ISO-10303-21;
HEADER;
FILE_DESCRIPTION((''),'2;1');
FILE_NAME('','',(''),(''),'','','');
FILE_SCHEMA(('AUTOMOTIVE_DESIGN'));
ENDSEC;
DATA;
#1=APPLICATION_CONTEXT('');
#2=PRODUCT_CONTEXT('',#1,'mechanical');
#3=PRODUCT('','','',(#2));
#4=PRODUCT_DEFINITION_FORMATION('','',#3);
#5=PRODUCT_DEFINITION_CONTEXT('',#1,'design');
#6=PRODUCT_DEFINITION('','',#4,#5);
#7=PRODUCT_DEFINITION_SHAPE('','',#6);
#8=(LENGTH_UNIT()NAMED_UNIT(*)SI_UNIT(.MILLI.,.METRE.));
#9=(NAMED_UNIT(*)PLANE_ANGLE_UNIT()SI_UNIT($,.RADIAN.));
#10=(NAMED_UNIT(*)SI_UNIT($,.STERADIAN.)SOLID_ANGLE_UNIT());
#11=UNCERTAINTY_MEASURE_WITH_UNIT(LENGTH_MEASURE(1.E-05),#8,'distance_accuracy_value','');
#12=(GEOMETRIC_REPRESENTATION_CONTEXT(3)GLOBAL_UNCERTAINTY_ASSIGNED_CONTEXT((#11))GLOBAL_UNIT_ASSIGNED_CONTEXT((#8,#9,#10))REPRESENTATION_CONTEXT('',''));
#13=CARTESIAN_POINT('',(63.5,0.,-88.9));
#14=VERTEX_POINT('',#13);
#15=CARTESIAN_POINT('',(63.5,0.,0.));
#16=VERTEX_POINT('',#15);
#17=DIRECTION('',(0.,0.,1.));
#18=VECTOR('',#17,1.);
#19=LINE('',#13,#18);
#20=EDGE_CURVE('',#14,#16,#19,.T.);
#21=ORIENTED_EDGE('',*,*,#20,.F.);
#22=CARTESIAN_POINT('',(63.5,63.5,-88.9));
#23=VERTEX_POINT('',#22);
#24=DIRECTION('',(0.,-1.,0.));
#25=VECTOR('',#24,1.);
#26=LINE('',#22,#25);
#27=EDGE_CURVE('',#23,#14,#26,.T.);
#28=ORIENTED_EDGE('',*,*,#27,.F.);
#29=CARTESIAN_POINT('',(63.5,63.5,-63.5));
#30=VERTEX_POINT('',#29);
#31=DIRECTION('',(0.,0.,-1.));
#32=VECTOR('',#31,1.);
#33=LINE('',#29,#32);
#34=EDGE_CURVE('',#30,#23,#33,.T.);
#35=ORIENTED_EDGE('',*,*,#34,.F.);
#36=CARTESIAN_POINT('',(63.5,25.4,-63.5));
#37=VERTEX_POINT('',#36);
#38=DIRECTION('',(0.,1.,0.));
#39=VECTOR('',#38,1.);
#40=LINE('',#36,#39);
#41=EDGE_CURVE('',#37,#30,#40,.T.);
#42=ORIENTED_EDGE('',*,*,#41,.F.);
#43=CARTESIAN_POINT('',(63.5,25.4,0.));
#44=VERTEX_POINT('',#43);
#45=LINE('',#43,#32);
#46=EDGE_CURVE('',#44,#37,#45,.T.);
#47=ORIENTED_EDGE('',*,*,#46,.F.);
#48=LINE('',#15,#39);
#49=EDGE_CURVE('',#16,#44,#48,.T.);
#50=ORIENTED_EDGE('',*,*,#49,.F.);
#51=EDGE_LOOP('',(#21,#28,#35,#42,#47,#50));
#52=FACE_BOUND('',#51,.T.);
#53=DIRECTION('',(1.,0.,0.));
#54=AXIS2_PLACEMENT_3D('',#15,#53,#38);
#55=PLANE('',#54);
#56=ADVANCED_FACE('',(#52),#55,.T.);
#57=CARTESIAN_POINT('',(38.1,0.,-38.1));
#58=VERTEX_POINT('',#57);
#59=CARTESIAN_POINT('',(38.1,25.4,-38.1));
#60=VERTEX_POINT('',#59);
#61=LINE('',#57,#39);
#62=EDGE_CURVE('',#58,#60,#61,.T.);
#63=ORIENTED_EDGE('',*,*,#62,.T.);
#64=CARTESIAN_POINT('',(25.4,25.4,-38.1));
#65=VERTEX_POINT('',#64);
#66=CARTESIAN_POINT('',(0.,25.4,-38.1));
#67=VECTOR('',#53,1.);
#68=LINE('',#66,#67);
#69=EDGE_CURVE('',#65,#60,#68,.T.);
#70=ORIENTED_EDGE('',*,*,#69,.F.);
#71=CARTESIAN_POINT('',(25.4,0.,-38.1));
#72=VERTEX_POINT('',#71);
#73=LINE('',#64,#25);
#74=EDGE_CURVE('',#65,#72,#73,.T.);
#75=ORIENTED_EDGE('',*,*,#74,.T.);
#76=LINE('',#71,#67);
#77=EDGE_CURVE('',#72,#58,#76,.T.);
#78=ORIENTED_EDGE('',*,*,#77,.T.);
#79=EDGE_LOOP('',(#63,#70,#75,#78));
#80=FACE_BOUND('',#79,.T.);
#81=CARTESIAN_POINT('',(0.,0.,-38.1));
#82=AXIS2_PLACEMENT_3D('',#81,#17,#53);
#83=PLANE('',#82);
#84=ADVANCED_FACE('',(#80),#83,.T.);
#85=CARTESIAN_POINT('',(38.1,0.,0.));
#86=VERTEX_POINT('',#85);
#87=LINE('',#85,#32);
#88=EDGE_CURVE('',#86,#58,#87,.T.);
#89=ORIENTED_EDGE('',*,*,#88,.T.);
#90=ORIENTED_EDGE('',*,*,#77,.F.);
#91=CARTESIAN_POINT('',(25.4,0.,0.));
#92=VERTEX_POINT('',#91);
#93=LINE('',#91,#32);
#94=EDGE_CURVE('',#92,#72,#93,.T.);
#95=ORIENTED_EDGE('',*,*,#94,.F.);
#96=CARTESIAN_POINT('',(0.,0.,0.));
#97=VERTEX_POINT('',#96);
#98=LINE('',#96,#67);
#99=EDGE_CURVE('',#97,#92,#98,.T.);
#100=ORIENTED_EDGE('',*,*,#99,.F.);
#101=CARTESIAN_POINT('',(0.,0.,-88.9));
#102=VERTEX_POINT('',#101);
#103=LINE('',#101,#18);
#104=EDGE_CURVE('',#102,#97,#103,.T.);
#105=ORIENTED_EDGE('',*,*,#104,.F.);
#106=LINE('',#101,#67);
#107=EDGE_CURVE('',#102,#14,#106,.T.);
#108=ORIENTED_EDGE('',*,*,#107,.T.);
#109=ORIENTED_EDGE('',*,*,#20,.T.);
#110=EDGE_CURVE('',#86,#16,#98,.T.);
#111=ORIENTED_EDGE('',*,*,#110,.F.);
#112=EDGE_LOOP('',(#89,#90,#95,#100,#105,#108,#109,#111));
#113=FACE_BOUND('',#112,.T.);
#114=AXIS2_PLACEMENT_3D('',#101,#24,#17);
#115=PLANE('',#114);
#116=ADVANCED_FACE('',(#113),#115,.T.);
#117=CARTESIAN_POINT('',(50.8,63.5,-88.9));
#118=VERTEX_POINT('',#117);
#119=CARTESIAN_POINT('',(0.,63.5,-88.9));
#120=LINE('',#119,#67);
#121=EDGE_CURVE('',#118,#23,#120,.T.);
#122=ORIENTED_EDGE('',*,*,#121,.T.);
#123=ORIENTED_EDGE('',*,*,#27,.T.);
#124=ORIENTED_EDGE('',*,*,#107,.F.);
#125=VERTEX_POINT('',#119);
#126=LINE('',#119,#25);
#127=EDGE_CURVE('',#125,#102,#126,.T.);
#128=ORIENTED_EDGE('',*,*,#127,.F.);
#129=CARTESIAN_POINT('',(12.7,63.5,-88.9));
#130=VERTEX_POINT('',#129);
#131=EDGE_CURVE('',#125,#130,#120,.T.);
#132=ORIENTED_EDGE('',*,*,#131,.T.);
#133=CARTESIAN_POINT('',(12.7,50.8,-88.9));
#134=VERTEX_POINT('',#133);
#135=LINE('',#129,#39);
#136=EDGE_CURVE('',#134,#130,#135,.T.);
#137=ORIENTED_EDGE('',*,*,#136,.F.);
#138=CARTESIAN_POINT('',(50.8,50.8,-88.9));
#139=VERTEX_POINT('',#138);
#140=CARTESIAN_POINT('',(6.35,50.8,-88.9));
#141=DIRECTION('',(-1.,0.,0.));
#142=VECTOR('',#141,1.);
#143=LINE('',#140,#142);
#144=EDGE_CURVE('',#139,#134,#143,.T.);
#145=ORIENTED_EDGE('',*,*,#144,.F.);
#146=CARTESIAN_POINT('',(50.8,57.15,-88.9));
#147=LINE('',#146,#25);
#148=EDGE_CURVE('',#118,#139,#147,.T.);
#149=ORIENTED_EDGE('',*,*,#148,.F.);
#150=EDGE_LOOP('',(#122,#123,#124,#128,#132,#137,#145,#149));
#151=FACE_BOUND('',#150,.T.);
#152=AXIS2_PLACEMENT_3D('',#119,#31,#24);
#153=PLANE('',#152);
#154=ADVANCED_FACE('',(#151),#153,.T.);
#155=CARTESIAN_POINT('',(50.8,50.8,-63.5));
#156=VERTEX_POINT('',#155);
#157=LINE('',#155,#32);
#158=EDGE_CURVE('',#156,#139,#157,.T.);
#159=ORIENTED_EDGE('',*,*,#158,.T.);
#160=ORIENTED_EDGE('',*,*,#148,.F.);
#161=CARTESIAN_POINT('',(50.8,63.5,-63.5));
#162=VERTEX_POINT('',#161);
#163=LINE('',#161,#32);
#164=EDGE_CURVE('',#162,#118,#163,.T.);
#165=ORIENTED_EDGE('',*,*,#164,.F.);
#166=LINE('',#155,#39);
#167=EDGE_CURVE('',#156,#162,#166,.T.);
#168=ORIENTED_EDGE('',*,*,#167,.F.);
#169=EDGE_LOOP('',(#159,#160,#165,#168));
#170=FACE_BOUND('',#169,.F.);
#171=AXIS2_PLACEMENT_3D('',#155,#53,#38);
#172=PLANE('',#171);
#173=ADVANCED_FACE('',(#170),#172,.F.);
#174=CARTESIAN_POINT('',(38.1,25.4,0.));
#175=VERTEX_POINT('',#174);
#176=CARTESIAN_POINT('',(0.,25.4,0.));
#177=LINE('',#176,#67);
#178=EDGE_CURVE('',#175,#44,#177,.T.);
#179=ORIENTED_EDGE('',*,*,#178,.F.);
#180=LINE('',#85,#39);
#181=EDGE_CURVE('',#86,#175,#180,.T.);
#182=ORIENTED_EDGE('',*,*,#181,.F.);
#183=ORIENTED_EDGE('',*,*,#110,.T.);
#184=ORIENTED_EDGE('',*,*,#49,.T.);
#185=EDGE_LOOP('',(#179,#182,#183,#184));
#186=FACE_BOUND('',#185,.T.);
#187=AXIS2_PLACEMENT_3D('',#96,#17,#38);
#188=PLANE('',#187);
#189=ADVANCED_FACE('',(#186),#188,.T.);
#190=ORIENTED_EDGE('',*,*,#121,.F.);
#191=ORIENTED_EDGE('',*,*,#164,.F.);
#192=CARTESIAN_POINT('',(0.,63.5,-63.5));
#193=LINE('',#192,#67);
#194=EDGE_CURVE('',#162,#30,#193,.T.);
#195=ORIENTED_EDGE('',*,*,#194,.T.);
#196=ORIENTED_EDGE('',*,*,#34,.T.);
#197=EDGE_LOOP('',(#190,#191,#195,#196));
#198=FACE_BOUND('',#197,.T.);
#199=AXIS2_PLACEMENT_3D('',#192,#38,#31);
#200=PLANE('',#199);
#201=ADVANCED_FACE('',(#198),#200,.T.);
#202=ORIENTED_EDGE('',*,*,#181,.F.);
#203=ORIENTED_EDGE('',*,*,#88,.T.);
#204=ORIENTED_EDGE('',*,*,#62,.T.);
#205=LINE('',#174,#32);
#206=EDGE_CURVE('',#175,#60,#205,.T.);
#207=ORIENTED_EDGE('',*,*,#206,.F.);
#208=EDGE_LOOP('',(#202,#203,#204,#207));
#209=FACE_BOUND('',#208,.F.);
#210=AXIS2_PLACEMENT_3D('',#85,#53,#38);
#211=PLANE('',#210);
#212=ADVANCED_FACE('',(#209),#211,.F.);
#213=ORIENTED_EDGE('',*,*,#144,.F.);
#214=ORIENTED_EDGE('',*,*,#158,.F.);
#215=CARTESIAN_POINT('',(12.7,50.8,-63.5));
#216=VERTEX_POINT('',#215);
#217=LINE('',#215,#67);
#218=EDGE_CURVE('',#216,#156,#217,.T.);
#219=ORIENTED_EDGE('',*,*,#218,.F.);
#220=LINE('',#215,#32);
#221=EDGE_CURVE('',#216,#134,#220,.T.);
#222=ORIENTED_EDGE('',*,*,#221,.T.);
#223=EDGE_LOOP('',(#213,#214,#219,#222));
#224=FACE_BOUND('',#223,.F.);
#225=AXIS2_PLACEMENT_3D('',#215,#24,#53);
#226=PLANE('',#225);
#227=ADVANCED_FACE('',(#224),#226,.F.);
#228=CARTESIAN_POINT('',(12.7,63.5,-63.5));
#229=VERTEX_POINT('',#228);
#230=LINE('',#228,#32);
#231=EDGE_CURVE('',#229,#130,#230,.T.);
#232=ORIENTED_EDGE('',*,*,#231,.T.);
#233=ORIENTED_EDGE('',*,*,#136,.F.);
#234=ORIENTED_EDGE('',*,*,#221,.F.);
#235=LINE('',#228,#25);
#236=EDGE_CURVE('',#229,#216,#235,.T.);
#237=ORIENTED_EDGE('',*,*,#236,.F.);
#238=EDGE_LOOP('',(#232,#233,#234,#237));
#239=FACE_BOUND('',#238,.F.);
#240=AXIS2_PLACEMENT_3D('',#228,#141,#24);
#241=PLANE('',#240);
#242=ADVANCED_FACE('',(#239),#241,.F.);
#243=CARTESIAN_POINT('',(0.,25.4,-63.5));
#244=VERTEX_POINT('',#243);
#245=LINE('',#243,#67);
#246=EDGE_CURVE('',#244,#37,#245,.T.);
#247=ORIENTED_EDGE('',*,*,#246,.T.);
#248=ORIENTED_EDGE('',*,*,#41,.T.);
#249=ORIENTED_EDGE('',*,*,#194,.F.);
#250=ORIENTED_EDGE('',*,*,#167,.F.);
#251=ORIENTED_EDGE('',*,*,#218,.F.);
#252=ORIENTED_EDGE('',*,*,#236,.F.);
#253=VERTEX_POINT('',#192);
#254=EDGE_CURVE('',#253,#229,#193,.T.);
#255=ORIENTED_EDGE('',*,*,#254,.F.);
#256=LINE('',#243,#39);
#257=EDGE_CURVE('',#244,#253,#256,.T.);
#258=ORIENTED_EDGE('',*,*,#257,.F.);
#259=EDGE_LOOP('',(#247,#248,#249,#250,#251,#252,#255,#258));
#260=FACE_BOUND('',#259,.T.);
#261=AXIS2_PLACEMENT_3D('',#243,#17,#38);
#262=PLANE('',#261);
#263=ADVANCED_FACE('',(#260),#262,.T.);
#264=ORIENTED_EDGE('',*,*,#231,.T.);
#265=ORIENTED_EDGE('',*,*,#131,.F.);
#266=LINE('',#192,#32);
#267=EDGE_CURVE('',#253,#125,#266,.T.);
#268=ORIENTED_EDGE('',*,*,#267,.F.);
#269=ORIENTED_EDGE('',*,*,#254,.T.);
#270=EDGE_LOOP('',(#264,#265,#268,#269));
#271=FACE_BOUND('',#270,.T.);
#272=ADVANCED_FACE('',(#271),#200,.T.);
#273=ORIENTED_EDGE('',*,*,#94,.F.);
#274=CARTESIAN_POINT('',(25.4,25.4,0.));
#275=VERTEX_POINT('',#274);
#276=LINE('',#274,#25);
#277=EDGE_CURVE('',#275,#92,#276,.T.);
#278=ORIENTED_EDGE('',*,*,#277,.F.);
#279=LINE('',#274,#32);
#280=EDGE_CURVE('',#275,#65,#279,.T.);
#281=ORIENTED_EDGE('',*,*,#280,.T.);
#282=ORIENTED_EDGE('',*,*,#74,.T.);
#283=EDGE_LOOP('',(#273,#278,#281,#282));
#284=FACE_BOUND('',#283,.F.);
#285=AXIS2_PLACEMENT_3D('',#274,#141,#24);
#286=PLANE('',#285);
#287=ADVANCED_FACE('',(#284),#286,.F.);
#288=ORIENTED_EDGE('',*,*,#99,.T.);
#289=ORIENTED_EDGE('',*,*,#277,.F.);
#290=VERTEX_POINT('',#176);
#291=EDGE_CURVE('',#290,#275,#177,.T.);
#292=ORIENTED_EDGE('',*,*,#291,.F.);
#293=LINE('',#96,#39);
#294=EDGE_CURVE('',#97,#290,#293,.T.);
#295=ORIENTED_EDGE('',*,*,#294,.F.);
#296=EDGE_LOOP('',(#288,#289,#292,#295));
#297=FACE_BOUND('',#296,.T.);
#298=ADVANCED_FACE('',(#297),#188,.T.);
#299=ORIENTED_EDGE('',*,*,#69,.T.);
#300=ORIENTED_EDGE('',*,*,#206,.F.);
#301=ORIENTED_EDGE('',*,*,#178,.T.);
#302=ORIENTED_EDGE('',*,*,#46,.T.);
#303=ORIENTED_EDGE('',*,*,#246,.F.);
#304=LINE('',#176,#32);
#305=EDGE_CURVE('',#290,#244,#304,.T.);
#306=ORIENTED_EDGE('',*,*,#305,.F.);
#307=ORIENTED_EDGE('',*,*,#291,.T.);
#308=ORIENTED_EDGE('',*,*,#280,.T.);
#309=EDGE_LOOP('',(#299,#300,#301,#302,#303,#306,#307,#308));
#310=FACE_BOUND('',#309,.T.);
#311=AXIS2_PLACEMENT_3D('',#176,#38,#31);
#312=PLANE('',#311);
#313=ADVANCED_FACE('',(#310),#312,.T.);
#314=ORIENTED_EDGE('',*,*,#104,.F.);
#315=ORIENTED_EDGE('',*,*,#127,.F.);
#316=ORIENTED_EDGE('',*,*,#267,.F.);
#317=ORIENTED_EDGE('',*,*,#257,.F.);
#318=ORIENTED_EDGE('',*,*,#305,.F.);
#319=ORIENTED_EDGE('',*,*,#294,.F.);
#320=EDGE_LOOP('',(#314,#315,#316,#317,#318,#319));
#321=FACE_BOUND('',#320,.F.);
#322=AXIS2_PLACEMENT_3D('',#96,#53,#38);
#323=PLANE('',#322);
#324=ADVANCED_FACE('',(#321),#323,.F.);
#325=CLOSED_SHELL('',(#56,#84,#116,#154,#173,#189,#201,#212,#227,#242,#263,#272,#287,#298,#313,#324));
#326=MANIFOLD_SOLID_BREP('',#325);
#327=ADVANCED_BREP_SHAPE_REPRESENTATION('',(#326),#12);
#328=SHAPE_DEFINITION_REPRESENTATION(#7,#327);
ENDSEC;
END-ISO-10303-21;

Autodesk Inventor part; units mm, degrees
ref_plane "YZ Plane" through (0, 0, 0) normal (1, 0, 0) x (0, 1, 0)
ref_plane "XZ Plane" through (0, 0, 0) normal (0, 1, 0) x (-1, 0, 0)
ref_plane "XY Plane" through (0, 0, 0) normal (0, 0, 1) x (1, 0, 0)
sketch "Sketch1" plane through (0, 0, 0) normal (1, 0, 0) x (0, 1, 0)
  line L0 (0, 0) -> (25.4, 0)
  line L1 (25.4, 0) -> (25.4, -63.5)
  line L2 (25.4, -63.5) -> (63.5, -63.5)
  line L3 (63.5, -63.5) -> (63.5, -88.9)
  line L4 (63.5, -88.9) -> (0, -88.9)
  line L5 (0, -88.9) -> (0, 0)
  dimension "d0" = 25.4
  dimension "d1" = 25.4
  dimension "d2" = 88.9
  dimension "d3" = 63.5
extrude "Extrusion1" add sketch "Sketch1" along normal blind 63.5
sketch "Sketch2" plane through (0, 25.4, -63.5) normal (0, 0, 1) x (1, 0, 0)
  line L0 (0, 38.1) -> (63.5, 38.1) projected
  line L1 (12.7, 38.1) -> (12.7, 25.4)
  line L2 (12.7, 25.4) -> (50.8, 25.4)
  line L3 (50.8, 25.4) -> (50.8, 38.1)
  point P0 (0, -25.4)
  dimension "d6" = 12.7
  dimension "d7" = 38.1
extrude "Extrusion2" cut sketch "Sketch2" against normal blind 39.6875
sketch "Sketch3" plane through (0, 0, 0) normal (0, 0, 1) x (1, 0, 0)
  line L0 (0, 25.4) -> (63.5, 25.4) projected
  line L1 (25.4, 25.4) -> (25.4, 0)
  line L2 (25.4, 0) -> (38.1, 0)
  line L3 (38.1, 0) -> (38.1, 25.4)
  point P0 (0, 0)
  dimension "d10" = 25.4
  dimension "d11" = 12.7
extrude "Extrusion3" cut sketch "Sketch3" against normal blind 38.1
properties part number "4.1e Q3"
